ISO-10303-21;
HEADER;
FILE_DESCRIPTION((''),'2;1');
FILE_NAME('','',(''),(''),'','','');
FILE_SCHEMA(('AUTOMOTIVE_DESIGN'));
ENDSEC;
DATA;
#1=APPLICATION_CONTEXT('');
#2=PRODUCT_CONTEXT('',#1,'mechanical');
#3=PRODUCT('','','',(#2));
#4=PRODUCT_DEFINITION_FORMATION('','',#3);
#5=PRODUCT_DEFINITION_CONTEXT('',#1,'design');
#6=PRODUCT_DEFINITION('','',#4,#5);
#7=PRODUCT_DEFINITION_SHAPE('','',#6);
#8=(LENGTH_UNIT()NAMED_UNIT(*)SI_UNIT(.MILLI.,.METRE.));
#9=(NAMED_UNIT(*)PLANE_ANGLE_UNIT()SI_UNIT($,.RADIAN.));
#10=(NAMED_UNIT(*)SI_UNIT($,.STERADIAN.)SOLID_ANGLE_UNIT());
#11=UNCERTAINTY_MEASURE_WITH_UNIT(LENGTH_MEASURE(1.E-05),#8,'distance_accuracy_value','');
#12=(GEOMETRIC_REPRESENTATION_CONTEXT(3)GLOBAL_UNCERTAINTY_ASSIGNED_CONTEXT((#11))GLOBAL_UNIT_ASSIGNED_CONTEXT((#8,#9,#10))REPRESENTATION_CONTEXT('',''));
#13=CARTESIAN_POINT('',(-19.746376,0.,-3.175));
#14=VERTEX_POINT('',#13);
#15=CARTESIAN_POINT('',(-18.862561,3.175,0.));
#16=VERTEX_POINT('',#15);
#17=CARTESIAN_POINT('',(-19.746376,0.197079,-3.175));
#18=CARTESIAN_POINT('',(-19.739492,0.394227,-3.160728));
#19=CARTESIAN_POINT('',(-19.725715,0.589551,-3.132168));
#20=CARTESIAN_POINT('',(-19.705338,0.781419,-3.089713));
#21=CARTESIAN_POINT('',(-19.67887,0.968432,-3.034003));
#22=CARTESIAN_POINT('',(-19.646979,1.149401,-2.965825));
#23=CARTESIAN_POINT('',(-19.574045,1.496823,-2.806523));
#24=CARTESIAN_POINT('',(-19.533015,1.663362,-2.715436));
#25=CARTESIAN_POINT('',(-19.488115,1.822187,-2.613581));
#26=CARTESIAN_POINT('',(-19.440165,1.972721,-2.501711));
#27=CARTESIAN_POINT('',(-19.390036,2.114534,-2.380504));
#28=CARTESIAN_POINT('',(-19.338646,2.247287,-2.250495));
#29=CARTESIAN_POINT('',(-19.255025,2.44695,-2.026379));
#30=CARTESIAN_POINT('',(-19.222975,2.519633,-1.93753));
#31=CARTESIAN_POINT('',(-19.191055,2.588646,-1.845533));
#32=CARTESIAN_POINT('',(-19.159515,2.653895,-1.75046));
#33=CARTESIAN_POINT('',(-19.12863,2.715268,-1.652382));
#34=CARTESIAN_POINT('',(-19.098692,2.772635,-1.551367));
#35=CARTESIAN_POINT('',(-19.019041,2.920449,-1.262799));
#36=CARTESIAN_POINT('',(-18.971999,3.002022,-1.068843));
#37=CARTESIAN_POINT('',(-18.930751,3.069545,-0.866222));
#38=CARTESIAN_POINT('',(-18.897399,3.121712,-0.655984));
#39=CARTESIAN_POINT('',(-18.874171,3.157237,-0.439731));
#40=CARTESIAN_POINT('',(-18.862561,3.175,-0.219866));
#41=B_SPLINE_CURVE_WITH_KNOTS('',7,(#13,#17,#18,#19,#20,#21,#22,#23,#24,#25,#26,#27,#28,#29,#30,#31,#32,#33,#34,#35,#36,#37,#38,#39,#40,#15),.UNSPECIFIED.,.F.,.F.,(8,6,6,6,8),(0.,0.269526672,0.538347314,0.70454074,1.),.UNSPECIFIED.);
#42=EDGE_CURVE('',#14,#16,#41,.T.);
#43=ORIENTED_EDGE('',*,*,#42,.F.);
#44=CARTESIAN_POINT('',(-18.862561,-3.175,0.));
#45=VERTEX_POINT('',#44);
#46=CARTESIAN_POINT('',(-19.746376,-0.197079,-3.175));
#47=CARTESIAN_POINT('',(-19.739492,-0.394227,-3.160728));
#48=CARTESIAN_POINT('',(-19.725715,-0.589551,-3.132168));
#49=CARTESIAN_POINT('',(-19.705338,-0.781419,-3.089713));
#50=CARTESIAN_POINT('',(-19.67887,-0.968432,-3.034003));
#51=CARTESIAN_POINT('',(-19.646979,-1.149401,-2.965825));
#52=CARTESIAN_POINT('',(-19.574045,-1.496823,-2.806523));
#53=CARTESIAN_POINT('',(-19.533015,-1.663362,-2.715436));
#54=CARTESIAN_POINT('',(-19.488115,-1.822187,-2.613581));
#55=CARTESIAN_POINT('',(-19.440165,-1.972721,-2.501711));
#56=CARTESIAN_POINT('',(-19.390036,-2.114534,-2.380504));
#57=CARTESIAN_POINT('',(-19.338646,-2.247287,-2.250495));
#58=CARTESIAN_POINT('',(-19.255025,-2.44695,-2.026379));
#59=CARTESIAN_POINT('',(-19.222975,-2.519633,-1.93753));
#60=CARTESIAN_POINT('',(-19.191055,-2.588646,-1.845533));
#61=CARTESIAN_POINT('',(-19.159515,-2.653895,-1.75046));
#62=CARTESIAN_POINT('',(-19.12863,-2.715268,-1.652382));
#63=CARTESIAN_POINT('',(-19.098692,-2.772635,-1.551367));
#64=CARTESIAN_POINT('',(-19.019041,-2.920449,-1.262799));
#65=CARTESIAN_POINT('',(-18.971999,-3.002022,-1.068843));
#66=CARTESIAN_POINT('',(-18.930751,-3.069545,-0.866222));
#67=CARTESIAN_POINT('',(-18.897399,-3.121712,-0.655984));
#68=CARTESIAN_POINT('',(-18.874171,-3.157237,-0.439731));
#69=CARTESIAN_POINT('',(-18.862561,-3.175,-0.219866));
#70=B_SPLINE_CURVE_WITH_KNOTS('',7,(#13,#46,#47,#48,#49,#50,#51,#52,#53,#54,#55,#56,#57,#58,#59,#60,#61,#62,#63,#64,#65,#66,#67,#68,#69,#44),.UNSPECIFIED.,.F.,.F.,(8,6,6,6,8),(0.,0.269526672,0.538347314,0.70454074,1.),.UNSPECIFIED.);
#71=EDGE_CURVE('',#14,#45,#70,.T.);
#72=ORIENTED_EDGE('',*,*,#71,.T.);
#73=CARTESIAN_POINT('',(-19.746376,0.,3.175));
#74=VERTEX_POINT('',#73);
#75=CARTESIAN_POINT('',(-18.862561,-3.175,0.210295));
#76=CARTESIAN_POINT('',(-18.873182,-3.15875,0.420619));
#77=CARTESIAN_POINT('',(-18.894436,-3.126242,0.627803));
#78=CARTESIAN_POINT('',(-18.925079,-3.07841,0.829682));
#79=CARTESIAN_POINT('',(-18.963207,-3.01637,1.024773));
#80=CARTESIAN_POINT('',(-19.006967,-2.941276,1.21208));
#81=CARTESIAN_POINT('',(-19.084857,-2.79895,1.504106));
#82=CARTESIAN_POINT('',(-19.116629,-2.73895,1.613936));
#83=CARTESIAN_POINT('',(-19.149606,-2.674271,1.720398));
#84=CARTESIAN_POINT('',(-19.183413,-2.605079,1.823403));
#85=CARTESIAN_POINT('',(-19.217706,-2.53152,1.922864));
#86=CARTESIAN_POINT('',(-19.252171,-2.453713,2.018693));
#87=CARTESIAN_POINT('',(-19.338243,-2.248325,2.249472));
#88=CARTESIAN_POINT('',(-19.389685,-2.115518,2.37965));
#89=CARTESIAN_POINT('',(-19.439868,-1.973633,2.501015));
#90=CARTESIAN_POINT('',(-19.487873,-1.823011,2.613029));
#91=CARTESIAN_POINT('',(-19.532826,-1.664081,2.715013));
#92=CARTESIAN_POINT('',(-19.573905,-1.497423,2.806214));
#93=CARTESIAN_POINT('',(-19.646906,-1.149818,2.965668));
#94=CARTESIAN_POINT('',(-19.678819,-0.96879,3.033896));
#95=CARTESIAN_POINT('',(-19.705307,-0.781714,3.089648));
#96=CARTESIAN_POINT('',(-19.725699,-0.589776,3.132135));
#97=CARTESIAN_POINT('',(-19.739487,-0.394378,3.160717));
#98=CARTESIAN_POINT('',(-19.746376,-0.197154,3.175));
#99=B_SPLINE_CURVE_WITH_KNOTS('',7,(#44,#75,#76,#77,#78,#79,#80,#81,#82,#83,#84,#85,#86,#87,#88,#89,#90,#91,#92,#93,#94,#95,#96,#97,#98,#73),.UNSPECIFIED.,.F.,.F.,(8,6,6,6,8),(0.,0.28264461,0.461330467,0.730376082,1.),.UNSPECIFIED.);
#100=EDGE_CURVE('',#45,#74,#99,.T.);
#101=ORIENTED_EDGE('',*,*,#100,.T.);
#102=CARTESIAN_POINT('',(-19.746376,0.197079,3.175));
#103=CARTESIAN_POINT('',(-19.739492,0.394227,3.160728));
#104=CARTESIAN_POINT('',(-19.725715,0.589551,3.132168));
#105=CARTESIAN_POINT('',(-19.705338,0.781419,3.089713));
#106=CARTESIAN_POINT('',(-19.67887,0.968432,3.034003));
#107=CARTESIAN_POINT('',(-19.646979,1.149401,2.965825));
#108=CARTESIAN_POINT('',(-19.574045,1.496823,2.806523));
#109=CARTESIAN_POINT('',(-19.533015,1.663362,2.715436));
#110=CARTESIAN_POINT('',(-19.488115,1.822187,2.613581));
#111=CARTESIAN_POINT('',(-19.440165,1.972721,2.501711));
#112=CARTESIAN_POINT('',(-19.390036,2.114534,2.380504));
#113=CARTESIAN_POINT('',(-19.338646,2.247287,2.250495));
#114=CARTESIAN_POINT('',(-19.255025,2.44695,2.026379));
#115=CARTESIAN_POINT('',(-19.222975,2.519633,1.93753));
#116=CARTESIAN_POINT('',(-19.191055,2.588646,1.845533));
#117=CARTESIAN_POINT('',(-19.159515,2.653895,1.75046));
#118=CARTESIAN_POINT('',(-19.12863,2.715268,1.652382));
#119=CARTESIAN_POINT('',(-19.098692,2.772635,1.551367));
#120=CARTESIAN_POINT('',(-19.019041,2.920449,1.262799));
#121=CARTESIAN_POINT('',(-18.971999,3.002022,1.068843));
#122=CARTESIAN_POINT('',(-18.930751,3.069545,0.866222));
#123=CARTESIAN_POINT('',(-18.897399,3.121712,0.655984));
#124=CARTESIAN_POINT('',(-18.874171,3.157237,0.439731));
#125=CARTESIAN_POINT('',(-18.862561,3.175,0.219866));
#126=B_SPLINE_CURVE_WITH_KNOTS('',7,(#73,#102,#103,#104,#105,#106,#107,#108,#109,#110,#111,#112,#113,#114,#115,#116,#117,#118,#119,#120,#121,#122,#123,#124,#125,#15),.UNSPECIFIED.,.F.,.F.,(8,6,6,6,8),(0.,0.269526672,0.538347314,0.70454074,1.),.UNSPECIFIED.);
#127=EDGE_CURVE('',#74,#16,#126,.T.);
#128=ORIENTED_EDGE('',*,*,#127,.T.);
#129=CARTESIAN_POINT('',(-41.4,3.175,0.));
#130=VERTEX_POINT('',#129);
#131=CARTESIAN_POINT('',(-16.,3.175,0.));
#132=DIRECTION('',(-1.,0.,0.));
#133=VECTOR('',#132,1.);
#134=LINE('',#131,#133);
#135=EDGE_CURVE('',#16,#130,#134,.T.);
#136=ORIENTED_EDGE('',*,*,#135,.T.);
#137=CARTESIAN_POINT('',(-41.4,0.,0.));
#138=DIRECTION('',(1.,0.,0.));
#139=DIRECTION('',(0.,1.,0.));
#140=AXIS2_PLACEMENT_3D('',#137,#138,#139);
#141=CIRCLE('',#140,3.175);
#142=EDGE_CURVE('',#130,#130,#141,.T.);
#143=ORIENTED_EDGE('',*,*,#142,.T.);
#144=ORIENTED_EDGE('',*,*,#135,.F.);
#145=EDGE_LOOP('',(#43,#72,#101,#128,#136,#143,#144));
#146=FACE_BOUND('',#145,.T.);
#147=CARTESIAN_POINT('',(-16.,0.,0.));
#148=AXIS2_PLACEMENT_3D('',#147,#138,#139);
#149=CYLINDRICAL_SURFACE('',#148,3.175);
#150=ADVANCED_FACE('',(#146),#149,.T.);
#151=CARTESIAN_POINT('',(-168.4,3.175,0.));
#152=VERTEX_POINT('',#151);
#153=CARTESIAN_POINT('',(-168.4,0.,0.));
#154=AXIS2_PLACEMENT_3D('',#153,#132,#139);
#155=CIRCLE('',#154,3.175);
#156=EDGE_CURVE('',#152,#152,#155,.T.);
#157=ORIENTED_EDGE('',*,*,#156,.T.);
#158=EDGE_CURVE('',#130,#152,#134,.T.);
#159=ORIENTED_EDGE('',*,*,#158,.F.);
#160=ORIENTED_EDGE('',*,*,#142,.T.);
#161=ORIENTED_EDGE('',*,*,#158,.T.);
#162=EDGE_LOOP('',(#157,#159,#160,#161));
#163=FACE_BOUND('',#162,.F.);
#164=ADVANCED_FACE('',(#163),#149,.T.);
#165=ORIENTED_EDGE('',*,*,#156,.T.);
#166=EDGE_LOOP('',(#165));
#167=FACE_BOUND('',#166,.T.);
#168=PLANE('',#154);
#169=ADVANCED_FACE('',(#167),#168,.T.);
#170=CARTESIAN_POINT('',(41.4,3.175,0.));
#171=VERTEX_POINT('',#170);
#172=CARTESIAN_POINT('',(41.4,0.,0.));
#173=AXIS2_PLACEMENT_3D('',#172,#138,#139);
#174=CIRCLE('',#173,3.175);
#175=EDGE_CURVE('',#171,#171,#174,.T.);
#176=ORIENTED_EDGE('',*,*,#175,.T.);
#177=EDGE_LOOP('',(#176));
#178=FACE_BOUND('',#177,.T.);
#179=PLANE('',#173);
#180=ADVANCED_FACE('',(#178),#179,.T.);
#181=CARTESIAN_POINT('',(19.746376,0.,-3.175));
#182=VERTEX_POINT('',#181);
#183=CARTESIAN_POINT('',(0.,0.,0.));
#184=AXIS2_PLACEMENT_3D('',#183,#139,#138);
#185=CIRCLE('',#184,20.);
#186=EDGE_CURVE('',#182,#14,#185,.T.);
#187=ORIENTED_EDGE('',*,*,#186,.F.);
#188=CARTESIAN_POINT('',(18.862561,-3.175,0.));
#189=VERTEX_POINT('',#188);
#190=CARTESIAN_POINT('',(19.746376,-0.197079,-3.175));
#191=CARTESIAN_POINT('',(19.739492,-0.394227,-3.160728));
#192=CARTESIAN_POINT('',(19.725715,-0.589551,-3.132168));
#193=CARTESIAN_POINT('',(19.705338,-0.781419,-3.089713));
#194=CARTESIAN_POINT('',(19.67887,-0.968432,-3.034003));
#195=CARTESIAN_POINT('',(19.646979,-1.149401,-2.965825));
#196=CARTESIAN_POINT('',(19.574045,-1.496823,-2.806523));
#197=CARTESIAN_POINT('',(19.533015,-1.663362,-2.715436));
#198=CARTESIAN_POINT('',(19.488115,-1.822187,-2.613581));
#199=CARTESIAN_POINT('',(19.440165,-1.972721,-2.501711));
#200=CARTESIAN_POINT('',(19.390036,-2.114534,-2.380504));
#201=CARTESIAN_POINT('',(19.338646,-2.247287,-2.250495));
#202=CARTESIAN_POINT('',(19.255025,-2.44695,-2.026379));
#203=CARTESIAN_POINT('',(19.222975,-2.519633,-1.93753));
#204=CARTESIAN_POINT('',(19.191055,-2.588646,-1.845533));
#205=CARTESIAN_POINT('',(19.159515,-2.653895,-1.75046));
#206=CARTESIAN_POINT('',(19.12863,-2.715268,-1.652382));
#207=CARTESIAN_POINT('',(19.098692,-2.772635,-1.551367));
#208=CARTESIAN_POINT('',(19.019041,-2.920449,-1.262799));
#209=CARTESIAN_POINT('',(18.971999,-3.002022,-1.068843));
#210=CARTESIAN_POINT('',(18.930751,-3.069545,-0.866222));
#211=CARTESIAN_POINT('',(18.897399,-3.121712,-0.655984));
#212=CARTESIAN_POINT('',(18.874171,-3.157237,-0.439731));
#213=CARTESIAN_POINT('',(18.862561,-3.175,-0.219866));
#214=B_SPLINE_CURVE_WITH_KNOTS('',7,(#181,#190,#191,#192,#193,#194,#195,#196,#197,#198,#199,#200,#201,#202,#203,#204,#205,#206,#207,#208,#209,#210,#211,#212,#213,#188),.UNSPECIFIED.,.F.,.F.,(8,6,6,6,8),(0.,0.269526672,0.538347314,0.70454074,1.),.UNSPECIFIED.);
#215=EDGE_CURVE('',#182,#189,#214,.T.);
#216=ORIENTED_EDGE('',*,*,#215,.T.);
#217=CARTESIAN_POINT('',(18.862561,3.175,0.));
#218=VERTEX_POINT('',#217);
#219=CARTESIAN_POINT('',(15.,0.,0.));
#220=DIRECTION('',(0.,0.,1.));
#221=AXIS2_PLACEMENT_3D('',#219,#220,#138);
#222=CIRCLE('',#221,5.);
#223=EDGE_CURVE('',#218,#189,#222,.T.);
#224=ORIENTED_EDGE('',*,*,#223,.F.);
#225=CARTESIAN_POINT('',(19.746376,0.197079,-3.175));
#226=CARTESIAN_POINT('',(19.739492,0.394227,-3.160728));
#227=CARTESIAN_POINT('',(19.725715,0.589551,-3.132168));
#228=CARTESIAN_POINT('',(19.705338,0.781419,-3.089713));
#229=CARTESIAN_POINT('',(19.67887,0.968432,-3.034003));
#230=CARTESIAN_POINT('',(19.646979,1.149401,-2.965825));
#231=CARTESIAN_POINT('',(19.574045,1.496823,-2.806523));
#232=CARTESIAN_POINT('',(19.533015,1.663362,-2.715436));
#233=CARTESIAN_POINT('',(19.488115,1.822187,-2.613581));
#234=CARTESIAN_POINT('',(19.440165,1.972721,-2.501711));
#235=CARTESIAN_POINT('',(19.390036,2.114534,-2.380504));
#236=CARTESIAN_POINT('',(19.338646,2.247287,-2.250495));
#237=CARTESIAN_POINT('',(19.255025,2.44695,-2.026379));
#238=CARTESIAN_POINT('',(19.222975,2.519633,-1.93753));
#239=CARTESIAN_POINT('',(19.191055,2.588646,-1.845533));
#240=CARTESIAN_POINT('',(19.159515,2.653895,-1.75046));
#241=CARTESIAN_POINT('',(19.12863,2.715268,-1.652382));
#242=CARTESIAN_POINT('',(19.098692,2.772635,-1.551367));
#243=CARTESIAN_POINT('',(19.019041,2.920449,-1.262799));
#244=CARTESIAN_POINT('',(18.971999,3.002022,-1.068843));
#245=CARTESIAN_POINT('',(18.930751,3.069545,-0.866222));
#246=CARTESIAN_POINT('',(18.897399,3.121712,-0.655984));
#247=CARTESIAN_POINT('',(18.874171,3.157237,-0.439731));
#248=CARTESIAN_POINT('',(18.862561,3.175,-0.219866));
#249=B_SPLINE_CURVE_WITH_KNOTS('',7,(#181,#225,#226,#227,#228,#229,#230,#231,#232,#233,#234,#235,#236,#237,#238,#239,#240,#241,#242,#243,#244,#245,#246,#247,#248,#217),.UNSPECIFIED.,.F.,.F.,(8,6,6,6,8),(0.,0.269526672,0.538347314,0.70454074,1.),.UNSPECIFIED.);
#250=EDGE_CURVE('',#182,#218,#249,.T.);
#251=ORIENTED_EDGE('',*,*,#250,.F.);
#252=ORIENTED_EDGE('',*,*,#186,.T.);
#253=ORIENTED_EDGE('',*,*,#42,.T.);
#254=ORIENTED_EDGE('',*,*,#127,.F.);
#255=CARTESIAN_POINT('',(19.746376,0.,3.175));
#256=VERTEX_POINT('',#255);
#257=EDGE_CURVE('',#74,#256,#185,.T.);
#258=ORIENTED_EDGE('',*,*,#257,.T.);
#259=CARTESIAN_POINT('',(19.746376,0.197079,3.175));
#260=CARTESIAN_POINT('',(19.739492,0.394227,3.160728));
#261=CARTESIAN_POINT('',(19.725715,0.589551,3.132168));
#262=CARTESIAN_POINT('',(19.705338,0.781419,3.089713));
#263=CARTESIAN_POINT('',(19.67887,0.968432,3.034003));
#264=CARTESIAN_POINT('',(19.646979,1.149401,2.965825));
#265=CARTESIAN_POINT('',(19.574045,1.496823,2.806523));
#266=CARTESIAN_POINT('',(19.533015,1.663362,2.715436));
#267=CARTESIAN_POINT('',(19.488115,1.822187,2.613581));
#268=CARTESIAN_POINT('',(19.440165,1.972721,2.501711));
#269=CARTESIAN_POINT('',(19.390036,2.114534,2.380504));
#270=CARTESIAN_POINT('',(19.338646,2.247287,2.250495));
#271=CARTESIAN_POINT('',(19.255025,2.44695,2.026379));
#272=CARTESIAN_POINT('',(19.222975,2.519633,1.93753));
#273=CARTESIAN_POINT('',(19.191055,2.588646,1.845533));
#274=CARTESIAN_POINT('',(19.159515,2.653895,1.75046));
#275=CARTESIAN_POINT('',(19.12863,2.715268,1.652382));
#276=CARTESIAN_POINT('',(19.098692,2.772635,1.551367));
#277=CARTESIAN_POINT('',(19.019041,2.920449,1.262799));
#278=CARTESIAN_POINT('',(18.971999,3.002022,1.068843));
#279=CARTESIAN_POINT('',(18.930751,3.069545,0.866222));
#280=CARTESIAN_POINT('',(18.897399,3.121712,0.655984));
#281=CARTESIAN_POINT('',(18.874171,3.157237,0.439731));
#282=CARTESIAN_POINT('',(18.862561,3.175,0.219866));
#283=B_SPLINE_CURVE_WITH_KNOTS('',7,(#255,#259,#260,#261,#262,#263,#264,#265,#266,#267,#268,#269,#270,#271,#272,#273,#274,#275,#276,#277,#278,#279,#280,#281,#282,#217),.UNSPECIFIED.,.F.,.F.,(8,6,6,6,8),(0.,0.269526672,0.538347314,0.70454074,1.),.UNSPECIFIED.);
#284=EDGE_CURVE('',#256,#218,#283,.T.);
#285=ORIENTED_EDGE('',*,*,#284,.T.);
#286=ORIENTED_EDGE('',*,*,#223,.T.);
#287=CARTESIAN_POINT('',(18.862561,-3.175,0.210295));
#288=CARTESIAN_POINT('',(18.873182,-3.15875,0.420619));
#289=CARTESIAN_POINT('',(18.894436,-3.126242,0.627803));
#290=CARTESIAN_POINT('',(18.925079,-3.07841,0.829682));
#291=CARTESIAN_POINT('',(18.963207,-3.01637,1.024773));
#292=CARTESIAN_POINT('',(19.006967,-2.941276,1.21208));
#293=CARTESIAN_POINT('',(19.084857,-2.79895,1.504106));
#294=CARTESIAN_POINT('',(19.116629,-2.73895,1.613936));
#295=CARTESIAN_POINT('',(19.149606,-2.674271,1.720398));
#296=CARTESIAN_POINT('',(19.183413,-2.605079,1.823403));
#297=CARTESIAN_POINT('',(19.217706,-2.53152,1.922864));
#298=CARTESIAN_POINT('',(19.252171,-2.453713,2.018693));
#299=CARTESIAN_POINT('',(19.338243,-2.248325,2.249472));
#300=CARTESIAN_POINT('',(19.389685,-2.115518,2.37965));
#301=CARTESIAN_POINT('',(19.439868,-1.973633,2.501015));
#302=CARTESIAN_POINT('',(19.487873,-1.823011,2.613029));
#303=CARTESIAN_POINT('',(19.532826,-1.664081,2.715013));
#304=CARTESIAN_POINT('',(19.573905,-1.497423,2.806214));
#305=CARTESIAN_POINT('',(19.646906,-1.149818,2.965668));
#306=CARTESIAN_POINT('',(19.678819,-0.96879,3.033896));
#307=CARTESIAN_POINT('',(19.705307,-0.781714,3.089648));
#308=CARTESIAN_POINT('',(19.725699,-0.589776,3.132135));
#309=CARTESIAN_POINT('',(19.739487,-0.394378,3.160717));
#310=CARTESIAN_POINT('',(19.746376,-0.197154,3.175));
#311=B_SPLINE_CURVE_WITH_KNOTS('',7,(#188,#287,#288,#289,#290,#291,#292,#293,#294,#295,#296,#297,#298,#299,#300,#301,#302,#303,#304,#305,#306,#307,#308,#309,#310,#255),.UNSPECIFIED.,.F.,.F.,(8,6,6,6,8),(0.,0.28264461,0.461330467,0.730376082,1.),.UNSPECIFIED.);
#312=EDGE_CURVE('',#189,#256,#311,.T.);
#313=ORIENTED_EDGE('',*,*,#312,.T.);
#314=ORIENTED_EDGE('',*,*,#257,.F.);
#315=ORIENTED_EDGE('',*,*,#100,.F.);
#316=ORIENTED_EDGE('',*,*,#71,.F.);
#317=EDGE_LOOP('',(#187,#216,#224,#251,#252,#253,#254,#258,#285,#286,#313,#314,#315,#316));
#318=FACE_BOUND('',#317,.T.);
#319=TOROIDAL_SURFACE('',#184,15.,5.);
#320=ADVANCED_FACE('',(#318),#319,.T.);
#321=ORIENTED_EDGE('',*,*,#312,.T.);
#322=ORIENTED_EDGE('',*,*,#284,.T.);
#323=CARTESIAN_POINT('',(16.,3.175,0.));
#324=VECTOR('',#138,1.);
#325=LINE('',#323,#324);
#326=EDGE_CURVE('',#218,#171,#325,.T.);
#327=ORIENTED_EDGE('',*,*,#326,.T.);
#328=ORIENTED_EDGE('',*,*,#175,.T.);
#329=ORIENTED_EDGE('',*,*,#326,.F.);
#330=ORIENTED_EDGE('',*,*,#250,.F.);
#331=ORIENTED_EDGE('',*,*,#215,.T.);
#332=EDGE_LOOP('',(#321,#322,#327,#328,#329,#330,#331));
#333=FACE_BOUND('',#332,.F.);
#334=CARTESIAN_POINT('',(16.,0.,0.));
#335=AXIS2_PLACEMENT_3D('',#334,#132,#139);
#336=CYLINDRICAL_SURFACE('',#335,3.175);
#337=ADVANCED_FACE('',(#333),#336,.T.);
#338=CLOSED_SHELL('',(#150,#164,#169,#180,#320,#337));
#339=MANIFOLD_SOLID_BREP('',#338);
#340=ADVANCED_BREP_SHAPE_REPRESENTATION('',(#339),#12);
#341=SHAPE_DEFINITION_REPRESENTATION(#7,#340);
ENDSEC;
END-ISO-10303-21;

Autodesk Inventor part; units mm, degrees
ref_plane "XZ Plane" through (0, 0, 0) normal (0, 1, 0) x (-1, 0, 0)
ref_plane "XY Plane" through (0, 0, 0) normal (0, 0, 1) x (1, 0, 0)
sketch "Sketch1" plane through (0, 0, 0) normal (0, 0, 1) x (1, 0, 0)
  circle A0 centre (15, 0) radius 5
  line L0 (0, 0) -> (0, 7.4364)
  dimension "d0" = 10
  dimension "d2" = 15
revolve "Revolution1" add sketch "Sketch1" angle 360 about axis through (0, 0, 0) along (0, 1, 0)
ref_plane "Work Plane1" through (16, 0, 0) normal (1, 0, 0) x (0, 1, 0)
sketch "Sketch2" plane through (16, 0, 0) normal (1, 0, 0) x (0, 1, 0)
  circle A0 centre (0, 0) radius 3.175
  dimension "d5" = 6.35
extrude "Extrusion1" add sketch "Sketch2" along normal blind 25.4
mirror "Mirror1" about plane through (0, 0, 0) normal (1, 0, 0)
sketch "Sketch3" plane through (-16, 0, 0) normal (-1, 0, 0) x (0, 1, 0)
  circle A0 centre (0, 0) radius 3.175
  dimension "d8" = 6.35
extrude "Extrusion2" add sketch "Sketch3" along normal blind 152.4
ref_plane "Work Plane2" through (-16, 0, 0) normal (1, 0, 0) x (0, 1, 0)
properties part number "string manager prototype"
